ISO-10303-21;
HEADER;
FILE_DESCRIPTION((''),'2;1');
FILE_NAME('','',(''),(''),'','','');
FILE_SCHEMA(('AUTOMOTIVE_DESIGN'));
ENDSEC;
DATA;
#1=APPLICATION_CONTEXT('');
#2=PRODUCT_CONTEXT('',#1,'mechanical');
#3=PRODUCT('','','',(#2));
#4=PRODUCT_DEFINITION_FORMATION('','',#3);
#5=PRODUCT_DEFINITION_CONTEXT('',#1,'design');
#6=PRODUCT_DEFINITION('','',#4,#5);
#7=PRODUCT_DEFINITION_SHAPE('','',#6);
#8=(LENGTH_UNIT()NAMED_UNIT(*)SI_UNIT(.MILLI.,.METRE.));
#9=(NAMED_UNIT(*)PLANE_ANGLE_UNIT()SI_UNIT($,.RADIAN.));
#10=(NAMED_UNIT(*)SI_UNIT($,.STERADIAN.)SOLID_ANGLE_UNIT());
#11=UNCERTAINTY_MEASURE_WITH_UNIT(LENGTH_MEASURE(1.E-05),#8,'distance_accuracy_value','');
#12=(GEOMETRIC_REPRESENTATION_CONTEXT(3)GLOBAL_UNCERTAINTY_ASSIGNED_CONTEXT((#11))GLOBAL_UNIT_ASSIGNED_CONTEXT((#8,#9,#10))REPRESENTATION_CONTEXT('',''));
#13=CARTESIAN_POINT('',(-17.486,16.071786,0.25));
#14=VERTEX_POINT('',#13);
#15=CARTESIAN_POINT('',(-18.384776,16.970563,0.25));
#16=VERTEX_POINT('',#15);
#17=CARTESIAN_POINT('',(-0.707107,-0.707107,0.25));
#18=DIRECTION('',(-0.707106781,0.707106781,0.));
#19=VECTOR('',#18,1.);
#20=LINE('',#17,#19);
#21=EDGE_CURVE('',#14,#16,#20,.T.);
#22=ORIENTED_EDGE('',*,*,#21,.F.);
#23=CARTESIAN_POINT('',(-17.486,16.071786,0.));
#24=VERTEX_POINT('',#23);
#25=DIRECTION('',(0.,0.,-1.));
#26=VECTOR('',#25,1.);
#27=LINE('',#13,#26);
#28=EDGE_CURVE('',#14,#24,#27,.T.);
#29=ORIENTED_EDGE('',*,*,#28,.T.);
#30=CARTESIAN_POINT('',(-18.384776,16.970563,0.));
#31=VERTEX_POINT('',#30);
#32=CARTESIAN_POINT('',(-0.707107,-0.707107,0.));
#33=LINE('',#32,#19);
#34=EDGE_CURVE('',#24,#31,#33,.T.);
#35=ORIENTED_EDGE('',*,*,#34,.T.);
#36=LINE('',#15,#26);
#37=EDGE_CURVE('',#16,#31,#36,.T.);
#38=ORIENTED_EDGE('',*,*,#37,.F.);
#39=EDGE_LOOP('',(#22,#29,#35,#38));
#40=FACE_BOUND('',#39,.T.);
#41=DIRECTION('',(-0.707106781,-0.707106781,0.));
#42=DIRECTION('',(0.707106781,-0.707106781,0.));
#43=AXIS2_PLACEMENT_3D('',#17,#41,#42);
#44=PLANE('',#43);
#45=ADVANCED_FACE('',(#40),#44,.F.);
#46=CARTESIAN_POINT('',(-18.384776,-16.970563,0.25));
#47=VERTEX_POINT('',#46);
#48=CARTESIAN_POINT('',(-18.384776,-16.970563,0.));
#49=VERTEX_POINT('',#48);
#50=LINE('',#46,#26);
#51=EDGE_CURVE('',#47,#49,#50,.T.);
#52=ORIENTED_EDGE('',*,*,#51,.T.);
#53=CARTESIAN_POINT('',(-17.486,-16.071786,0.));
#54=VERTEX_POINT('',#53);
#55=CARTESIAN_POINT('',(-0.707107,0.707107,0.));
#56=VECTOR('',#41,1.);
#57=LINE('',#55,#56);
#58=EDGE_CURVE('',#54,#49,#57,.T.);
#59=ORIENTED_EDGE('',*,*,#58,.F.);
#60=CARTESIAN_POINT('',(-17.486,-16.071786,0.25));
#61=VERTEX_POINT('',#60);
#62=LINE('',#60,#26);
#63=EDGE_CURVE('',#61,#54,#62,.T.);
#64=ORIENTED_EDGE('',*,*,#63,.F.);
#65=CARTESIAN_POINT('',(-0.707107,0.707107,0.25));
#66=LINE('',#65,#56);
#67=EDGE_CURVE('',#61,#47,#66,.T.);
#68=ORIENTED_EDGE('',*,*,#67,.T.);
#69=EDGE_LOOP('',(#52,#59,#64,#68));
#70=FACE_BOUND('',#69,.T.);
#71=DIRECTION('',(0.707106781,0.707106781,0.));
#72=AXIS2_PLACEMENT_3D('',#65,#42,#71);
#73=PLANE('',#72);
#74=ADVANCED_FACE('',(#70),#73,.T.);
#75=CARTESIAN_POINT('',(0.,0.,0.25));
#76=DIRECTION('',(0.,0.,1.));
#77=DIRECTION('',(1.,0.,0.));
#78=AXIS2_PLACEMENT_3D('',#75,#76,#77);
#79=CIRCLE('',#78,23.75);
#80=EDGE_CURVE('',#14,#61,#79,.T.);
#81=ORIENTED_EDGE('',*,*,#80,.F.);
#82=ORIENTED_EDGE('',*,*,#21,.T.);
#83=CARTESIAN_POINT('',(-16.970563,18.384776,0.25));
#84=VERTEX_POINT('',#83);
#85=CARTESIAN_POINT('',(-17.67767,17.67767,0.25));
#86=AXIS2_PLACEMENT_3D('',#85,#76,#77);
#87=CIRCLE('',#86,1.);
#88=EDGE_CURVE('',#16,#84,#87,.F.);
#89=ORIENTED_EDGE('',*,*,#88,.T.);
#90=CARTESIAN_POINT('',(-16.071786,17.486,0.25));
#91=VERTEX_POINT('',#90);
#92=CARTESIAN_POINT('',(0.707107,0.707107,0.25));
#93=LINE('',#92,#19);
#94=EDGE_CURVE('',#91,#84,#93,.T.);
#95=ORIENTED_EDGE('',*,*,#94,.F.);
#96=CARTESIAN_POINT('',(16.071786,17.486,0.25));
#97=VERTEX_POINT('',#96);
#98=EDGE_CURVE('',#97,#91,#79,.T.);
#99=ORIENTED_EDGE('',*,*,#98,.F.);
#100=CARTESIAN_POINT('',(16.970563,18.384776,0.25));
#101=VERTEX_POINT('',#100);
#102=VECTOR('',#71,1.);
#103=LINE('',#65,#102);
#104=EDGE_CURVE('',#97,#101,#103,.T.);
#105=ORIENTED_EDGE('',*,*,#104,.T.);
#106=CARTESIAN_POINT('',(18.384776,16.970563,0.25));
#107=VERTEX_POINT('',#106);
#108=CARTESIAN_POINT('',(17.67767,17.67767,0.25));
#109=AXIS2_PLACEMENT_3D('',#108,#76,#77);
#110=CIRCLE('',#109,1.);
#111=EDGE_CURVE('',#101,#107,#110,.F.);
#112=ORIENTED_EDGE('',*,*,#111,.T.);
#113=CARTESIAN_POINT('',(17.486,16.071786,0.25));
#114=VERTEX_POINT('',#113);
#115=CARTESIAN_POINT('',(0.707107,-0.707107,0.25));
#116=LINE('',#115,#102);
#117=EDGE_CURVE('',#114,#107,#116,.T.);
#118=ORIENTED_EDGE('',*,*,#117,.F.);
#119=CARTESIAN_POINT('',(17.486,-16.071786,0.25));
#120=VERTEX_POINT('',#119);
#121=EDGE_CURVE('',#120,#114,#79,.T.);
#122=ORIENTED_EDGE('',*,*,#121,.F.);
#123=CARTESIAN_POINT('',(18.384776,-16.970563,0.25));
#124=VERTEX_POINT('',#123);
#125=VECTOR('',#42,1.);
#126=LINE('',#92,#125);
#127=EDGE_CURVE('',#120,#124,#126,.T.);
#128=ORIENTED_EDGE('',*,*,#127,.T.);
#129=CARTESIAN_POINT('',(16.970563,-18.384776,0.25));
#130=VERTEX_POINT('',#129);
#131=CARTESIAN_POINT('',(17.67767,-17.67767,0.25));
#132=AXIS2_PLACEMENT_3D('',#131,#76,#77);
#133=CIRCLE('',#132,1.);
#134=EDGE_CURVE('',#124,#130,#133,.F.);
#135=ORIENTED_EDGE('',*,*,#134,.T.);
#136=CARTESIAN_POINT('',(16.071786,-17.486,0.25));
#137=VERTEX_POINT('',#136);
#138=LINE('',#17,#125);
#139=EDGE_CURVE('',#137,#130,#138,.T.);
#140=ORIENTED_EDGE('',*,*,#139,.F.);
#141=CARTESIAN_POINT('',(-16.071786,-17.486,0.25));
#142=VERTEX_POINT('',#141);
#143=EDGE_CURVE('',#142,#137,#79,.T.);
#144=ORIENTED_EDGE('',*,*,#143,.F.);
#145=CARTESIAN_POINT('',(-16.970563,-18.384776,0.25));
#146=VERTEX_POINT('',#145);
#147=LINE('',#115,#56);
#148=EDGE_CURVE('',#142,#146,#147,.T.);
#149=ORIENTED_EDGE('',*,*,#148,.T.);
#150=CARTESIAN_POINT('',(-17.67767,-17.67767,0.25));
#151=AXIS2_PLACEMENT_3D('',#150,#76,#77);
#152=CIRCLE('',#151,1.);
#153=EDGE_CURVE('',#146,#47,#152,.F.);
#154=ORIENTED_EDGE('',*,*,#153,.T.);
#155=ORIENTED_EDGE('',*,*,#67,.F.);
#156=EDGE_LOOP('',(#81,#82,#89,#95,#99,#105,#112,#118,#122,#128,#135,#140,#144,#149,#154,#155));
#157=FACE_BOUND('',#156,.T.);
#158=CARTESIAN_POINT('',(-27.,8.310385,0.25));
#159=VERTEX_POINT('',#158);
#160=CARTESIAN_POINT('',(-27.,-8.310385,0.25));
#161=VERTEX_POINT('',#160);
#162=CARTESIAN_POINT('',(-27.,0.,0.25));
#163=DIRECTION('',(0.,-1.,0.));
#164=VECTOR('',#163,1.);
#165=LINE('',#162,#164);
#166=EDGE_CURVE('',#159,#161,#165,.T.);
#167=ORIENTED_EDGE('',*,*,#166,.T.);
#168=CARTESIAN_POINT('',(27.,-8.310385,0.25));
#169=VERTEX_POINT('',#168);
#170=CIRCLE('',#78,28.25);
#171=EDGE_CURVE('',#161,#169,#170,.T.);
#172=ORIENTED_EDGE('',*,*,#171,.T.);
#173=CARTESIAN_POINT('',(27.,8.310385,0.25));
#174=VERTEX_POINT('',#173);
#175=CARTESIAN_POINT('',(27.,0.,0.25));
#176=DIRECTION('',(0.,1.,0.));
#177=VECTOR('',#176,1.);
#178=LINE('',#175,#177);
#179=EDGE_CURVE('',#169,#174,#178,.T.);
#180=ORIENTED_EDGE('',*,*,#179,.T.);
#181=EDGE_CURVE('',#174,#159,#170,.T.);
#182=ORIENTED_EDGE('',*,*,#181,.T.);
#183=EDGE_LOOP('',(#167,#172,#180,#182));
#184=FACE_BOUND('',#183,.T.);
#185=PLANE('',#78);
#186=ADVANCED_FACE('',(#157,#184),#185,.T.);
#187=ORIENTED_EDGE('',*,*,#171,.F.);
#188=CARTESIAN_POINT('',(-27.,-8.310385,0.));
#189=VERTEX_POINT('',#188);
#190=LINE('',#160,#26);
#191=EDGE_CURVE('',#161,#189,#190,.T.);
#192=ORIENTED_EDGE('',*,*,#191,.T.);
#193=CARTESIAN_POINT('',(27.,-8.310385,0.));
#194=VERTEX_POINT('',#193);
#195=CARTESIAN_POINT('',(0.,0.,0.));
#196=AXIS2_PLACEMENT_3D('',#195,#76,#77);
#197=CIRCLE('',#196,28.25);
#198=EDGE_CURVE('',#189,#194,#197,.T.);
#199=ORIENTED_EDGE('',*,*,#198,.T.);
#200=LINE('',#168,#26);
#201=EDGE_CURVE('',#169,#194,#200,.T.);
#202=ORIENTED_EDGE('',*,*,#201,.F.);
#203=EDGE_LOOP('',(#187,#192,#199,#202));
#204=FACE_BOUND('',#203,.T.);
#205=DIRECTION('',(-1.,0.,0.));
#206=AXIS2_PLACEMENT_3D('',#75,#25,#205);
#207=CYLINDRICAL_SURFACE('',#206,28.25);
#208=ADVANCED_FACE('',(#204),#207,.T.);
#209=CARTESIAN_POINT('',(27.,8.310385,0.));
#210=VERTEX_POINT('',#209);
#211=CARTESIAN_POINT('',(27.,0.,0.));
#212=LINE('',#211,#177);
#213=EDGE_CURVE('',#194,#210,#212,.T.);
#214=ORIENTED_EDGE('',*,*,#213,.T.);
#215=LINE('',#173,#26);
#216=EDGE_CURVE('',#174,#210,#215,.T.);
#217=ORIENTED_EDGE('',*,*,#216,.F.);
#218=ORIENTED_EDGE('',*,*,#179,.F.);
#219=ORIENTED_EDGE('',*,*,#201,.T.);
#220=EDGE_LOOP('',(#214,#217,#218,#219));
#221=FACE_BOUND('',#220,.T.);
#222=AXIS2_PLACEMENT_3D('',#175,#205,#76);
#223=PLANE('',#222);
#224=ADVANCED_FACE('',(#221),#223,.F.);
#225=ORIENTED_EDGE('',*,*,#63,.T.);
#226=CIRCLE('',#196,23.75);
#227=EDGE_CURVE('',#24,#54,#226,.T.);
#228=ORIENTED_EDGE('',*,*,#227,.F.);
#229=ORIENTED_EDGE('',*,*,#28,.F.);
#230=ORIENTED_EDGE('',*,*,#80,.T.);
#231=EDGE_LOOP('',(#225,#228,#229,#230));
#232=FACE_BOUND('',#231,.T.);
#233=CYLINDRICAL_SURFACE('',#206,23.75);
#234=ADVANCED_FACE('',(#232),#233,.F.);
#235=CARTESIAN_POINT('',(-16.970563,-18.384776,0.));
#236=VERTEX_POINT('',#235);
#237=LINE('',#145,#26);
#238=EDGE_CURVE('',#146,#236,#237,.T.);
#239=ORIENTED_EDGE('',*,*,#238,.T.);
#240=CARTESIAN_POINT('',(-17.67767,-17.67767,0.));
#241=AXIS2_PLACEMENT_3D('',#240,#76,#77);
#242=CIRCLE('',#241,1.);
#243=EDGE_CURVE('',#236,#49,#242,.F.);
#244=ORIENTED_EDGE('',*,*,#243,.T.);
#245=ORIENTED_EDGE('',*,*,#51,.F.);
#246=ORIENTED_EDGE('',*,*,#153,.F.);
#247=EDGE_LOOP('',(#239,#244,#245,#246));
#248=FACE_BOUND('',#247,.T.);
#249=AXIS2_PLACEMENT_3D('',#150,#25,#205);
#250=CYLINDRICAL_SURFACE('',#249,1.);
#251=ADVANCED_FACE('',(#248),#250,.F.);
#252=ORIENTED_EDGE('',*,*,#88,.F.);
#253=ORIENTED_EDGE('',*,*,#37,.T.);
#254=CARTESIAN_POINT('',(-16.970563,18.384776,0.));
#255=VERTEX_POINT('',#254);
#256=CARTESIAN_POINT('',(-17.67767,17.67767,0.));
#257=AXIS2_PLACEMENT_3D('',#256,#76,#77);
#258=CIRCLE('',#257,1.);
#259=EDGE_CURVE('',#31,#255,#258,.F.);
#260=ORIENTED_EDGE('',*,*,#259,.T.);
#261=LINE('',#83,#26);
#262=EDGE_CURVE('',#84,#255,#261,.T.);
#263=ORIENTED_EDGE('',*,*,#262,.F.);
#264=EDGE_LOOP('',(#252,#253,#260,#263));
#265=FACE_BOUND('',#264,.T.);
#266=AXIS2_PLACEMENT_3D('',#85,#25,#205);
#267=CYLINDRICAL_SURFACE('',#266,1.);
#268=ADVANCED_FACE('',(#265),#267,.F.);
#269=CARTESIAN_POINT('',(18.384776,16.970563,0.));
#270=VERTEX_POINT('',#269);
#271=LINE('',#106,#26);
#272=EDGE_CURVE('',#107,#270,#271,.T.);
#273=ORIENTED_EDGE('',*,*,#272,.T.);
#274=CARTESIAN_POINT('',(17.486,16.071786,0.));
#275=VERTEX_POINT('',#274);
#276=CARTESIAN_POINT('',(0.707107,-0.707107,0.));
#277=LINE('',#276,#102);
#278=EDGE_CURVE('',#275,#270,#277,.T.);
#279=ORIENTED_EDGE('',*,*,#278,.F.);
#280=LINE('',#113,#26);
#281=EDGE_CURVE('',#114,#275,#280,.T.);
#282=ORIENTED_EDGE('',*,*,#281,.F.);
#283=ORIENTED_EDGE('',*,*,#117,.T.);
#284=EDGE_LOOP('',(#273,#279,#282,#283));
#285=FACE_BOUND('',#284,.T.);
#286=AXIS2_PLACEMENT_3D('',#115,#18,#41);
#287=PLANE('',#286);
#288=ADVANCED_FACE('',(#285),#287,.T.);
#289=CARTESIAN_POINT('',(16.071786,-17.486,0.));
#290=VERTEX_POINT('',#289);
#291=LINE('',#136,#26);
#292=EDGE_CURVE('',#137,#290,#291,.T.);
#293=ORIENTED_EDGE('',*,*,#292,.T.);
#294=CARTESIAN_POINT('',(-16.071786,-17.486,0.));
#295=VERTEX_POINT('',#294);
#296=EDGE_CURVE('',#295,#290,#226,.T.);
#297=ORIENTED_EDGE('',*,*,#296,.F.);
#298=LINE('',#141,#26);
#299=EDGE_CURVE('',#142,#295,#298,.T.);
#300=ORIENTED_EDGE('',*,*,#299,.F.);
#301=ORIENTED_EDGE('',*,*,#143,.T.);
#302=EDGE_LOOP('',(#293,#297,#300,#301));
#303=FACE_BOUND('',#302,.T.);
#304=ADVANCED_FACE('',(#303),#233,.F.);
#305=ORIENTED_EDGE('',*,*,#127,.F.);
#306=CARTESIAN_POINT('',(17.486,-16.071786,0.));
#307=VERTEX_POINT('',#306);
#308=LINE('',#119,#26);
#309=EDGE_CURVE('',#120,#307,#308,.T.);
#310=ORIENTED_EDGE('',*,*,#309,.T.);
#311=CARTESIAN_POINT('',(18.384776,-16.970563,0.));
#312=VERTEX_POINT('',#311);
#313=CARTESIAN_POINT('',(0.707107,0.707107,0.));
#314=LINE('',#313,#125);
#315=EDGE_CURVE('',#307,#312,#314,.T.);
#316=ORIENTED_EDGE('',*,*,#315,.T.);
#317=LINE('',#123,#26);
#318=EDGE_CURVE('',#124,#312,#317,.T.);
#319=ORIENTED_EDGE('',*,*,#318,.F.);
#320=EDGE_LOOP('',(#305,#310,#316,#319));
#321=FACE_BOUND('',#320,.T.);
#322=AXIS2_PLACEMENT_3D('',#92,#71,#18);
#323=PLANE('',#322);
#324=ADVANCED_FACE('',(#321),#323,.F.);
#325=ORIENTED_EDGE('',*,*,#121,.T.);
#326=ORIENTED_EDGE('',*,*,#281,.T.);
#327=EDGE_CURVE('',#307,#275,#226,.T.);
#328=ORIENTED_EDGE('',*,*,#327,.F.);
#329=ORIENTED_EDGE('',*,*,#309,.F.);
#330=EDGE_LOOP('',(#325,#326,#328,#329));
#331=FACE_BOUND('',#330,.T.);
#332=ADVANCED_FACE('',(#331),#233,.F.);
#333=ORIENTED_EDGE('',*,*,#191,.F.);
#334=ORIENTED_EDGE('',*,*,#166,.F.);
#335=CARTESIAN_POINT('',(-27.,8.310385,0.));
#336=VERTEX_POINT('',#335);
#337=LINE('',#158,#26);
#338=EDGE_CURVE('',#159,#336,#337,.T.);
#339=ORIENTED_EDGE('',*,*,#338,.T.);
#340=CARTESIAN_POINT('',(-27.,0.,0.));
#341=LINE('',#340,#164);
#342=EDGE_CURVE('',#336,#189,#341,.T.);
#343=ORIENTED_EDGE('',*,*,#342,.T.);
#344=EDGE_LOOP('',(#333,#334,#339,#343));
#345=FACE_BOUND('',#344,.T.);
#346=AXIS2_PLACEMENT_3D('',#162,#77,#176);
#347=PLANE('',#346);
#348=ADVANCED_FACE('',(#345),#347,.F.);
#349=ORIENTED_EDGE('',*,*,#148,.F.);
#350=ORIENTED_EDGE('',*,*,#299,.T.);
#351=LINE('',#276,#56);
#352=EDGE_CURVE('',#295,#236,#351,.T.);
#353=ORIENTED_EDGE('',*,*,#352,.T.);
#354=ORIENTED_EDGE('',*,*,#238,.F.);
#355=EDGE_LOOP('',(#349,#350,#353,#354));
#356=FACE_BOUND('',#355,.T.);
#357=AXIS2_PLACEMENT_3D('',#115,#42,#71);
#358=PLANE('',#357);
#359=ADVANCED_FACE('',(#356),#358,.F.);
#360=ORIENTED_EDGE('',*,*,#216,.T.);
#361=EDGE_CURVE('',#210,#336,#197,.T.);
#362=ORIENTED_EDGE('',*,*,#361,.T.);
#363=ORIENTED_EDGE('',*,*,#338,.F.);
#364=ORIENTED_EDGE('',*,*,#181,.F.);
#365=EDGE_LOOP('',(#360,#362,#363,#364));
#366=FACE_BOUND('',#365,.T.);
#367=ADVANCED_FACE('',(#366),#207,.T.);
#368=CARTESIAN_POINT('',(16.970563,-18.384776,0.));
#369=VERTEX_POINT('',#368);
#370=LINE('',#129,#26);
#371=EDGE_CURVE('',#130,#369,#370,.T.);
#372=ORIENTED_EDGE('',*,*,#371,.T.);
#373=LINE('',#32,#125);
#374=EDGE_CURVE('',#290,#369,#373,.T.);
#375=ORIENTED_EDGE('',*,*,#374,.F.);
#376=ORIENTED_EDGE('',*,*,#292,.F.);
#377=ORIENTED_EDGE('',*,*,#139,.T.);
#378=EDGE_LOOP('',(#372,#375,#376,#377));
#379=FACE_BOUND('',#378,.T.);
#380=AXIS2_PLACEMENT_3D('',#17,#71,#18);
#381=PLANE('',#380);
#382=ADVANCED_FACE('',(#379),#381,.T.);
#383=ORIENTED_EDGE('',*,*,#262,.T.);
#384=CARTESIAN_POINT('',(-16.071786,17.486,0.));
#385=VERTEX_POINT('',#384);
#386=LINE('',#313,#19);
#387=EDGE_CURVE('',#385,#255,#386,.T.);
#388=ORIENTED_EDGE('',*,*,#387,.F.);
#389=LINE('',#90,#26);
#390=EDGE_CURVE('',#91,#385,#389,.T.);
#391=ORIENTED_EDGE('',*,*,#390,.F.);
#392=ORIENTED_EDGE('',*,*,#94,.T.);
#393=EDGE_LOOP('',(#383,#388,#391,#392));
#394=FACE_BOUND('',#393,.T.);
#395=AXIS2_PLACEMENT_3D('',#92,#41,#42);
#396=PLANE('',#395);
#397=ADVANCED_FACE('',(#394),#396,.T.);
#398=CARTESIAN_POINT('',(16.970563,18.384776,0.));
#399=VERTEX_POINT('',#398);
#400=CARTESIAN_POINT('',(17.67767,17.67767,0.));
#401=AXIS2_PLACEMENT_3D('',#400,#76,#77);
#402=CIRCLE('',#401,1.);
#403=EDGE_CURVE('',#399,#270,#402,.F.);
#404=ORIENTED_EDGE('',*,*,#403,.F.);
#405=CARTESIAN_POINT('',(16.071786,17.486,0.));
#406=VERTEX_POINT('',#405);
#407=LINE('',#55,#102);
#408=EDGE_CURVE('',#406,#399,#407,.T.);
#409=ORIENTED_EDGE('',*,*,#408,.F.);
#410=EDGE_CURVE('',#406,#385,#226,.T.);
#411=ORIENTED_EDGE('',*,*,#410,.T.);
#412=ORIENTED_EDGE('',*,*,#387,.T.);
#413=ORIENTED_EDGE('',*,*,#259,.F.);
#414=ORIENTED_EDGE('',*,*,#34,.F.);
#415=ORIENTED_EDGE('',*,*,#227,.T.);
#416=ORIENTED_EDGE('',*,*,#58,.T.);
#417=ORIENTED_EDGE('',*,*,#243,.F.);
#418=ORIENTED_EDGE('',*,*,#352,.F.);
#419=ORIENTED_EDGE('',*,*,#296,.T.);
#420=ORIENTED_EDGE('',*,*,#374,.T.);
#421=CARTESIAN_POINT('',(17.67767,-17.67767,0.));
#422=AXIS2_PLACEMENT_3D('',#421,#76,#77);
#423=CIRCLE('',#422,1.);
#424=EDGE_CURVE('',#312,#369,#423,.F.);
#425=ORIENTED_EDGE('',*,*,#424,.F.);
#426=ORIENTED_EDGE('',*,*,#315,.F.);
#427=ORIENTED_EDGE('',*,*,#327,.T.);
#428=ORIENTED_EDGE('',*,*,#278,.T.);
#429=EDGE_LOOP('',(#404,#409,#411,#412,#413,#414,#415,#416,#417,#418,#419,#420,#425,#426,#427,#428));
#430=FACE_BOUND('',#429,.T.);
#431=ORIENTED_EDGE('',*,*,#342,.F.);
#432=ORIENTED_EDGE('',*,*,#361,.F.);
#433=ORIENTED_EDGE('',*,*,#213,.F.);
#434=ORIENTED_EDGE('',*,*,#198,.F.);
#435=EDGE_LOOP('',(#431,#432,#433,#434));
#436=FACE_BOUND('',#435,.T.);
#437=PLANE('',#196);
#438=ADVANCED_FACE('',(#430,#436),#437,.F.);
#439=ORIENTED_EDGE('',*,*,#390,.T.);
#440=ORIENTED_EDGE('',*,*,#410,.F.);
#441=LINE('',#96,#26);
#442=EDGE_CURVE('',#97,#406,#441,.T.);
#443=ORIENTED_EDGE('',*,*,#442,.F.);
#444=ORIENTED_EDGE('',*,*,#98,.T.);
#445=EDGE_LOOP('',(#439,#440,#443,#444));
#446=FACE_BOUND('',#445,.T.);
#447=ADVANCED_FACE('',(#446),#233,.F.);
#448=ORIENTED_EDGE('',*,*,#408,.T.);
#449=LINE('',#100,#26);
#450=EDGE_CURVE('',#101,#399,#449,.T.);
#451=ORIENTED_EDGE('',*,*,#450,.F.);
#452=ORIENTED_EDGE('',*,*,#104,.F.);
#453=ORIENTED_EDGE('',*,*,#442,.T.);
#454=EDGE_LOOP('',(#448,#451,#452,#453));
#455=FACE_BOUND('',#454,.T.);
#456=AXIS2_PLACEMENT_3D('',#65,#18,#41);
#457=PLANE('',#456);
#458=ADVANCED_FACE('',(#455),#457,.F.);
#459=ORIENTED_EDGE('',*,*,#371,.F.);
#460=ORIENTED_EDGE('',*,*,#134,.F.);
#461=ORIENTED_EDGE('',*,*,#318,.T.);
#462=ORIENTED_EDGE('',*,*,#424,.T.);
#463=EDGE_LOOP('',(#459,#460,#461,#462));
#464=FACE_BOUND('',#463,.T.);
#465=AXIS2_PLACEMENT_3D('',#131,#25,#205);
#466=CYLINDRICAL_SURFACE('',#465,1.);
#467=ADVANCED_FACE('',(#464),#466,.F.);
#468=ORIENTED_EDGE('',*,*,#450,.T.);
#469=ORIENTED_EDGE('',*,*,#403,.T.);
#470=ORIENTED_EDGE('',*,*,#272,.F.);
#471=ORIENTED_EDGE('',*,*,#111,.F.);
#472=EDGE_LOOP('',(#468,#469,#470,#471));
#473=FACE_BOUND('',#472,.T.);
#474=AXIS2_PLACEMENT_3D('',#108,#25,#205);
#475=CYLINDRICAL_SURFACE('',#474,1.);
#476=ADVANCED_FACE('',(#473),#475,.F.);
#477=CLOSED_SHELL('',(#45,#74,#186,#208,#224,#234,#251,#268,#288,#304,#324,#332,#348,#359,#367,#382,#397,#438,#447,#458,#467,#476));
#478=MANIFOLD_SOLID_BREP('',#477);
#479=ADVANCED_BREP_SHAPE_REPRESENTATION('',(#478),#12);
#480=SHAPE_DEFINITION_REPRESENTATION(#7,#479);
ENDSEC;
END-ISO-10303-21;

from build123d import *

# Parameters (mm, degrees)
BOSS_EXTRUDE2_DEPTH = 0.25


with BuildPart() as part:
    # Sketch1 → Boss-Extrude2 (new body)
    with BuildSketch(Plane(origin=(0, 0, 0), x_dir=(-1, 0, 0), z_dir=(0, 0, 1))):
        with BuildLine():
            ThreePointArc((27, 8.310385069), (0, 28.25), (-27, 8.310385069))
            Line((-27, 8.310385069), (-27, -8.310385069))
            ThreePointArc((-27, -8.310385069), (0, -28.25), (27, -8.310385069))
            Line((27, -8.310385069), (27, 8.310385069))
        make_face()
        with BuildLine():
            Line((18.384776311, 16.970562748), (17.485999772, 16.07178621))
            ThreePointArc((17.485999772, 16.07178621), (22.128657829, 8.624674064), (23.75, 0))
            ThreePointArc((23.75, 0), (22.128657829, -8.624674064), (17.485999772, -16.07178621))
            Line((17.485999772, -16.07178621), (18.384776311, -16.970562748))
            ThreePointArc((18.384776311, -16.970562748), (18.384776311, -18.384776311), (16.970562748, -18.384776311))
            Line((16.970562748, -18.384776311), (16.07178621, -17.485999772))
            ThreePointArc((16.07178621, -17.485999772), (0, -23.75), (-16.07178621, -17.485999772))
            Line((-16.07178621, -17.485999772), (-16.970562748, -18.384776311))
            ThreePointArc((-16.970562748, -18.384776311), (-18.384776311, -18.384776311), (-18.384776311, -16.970562748))
            Line((-18.384776311, -16.970562748), (-17.485999772, -16.07178621))
            ThreePointArc((-17.485999772, -16.07178621), (-23.75, 0), (-17.485999772, 16.07178621))
            Line((-17.485999772, 16.07178621), (-18.384776311, 16.970562748))
            ThreePointArc((-18.384776311, 16.970562748), (-18.384776311, 18.384776311), (-16.970562748, 18.384776311))
            Line((-16.970562748, 18.384776311), (-16.07178621, 17.485999772))
            ThreePointArc((-16.07178621, 17.485999772), (0, 23.75), (16.07178621, 17.485999772))
            Line((16.07178621, 17.485999772), (16.970562748, 18.384776311))
            ThreePointArc((16.970562748, 18.384776311), (18.384776311, 18.384776311), (18.384776311, 16.970562748))
        make_face(mode=Mode.SUBTRACT)
    extrude(amount=BOSS_EXTRUDE2_DEPTH)


solid = part.part
